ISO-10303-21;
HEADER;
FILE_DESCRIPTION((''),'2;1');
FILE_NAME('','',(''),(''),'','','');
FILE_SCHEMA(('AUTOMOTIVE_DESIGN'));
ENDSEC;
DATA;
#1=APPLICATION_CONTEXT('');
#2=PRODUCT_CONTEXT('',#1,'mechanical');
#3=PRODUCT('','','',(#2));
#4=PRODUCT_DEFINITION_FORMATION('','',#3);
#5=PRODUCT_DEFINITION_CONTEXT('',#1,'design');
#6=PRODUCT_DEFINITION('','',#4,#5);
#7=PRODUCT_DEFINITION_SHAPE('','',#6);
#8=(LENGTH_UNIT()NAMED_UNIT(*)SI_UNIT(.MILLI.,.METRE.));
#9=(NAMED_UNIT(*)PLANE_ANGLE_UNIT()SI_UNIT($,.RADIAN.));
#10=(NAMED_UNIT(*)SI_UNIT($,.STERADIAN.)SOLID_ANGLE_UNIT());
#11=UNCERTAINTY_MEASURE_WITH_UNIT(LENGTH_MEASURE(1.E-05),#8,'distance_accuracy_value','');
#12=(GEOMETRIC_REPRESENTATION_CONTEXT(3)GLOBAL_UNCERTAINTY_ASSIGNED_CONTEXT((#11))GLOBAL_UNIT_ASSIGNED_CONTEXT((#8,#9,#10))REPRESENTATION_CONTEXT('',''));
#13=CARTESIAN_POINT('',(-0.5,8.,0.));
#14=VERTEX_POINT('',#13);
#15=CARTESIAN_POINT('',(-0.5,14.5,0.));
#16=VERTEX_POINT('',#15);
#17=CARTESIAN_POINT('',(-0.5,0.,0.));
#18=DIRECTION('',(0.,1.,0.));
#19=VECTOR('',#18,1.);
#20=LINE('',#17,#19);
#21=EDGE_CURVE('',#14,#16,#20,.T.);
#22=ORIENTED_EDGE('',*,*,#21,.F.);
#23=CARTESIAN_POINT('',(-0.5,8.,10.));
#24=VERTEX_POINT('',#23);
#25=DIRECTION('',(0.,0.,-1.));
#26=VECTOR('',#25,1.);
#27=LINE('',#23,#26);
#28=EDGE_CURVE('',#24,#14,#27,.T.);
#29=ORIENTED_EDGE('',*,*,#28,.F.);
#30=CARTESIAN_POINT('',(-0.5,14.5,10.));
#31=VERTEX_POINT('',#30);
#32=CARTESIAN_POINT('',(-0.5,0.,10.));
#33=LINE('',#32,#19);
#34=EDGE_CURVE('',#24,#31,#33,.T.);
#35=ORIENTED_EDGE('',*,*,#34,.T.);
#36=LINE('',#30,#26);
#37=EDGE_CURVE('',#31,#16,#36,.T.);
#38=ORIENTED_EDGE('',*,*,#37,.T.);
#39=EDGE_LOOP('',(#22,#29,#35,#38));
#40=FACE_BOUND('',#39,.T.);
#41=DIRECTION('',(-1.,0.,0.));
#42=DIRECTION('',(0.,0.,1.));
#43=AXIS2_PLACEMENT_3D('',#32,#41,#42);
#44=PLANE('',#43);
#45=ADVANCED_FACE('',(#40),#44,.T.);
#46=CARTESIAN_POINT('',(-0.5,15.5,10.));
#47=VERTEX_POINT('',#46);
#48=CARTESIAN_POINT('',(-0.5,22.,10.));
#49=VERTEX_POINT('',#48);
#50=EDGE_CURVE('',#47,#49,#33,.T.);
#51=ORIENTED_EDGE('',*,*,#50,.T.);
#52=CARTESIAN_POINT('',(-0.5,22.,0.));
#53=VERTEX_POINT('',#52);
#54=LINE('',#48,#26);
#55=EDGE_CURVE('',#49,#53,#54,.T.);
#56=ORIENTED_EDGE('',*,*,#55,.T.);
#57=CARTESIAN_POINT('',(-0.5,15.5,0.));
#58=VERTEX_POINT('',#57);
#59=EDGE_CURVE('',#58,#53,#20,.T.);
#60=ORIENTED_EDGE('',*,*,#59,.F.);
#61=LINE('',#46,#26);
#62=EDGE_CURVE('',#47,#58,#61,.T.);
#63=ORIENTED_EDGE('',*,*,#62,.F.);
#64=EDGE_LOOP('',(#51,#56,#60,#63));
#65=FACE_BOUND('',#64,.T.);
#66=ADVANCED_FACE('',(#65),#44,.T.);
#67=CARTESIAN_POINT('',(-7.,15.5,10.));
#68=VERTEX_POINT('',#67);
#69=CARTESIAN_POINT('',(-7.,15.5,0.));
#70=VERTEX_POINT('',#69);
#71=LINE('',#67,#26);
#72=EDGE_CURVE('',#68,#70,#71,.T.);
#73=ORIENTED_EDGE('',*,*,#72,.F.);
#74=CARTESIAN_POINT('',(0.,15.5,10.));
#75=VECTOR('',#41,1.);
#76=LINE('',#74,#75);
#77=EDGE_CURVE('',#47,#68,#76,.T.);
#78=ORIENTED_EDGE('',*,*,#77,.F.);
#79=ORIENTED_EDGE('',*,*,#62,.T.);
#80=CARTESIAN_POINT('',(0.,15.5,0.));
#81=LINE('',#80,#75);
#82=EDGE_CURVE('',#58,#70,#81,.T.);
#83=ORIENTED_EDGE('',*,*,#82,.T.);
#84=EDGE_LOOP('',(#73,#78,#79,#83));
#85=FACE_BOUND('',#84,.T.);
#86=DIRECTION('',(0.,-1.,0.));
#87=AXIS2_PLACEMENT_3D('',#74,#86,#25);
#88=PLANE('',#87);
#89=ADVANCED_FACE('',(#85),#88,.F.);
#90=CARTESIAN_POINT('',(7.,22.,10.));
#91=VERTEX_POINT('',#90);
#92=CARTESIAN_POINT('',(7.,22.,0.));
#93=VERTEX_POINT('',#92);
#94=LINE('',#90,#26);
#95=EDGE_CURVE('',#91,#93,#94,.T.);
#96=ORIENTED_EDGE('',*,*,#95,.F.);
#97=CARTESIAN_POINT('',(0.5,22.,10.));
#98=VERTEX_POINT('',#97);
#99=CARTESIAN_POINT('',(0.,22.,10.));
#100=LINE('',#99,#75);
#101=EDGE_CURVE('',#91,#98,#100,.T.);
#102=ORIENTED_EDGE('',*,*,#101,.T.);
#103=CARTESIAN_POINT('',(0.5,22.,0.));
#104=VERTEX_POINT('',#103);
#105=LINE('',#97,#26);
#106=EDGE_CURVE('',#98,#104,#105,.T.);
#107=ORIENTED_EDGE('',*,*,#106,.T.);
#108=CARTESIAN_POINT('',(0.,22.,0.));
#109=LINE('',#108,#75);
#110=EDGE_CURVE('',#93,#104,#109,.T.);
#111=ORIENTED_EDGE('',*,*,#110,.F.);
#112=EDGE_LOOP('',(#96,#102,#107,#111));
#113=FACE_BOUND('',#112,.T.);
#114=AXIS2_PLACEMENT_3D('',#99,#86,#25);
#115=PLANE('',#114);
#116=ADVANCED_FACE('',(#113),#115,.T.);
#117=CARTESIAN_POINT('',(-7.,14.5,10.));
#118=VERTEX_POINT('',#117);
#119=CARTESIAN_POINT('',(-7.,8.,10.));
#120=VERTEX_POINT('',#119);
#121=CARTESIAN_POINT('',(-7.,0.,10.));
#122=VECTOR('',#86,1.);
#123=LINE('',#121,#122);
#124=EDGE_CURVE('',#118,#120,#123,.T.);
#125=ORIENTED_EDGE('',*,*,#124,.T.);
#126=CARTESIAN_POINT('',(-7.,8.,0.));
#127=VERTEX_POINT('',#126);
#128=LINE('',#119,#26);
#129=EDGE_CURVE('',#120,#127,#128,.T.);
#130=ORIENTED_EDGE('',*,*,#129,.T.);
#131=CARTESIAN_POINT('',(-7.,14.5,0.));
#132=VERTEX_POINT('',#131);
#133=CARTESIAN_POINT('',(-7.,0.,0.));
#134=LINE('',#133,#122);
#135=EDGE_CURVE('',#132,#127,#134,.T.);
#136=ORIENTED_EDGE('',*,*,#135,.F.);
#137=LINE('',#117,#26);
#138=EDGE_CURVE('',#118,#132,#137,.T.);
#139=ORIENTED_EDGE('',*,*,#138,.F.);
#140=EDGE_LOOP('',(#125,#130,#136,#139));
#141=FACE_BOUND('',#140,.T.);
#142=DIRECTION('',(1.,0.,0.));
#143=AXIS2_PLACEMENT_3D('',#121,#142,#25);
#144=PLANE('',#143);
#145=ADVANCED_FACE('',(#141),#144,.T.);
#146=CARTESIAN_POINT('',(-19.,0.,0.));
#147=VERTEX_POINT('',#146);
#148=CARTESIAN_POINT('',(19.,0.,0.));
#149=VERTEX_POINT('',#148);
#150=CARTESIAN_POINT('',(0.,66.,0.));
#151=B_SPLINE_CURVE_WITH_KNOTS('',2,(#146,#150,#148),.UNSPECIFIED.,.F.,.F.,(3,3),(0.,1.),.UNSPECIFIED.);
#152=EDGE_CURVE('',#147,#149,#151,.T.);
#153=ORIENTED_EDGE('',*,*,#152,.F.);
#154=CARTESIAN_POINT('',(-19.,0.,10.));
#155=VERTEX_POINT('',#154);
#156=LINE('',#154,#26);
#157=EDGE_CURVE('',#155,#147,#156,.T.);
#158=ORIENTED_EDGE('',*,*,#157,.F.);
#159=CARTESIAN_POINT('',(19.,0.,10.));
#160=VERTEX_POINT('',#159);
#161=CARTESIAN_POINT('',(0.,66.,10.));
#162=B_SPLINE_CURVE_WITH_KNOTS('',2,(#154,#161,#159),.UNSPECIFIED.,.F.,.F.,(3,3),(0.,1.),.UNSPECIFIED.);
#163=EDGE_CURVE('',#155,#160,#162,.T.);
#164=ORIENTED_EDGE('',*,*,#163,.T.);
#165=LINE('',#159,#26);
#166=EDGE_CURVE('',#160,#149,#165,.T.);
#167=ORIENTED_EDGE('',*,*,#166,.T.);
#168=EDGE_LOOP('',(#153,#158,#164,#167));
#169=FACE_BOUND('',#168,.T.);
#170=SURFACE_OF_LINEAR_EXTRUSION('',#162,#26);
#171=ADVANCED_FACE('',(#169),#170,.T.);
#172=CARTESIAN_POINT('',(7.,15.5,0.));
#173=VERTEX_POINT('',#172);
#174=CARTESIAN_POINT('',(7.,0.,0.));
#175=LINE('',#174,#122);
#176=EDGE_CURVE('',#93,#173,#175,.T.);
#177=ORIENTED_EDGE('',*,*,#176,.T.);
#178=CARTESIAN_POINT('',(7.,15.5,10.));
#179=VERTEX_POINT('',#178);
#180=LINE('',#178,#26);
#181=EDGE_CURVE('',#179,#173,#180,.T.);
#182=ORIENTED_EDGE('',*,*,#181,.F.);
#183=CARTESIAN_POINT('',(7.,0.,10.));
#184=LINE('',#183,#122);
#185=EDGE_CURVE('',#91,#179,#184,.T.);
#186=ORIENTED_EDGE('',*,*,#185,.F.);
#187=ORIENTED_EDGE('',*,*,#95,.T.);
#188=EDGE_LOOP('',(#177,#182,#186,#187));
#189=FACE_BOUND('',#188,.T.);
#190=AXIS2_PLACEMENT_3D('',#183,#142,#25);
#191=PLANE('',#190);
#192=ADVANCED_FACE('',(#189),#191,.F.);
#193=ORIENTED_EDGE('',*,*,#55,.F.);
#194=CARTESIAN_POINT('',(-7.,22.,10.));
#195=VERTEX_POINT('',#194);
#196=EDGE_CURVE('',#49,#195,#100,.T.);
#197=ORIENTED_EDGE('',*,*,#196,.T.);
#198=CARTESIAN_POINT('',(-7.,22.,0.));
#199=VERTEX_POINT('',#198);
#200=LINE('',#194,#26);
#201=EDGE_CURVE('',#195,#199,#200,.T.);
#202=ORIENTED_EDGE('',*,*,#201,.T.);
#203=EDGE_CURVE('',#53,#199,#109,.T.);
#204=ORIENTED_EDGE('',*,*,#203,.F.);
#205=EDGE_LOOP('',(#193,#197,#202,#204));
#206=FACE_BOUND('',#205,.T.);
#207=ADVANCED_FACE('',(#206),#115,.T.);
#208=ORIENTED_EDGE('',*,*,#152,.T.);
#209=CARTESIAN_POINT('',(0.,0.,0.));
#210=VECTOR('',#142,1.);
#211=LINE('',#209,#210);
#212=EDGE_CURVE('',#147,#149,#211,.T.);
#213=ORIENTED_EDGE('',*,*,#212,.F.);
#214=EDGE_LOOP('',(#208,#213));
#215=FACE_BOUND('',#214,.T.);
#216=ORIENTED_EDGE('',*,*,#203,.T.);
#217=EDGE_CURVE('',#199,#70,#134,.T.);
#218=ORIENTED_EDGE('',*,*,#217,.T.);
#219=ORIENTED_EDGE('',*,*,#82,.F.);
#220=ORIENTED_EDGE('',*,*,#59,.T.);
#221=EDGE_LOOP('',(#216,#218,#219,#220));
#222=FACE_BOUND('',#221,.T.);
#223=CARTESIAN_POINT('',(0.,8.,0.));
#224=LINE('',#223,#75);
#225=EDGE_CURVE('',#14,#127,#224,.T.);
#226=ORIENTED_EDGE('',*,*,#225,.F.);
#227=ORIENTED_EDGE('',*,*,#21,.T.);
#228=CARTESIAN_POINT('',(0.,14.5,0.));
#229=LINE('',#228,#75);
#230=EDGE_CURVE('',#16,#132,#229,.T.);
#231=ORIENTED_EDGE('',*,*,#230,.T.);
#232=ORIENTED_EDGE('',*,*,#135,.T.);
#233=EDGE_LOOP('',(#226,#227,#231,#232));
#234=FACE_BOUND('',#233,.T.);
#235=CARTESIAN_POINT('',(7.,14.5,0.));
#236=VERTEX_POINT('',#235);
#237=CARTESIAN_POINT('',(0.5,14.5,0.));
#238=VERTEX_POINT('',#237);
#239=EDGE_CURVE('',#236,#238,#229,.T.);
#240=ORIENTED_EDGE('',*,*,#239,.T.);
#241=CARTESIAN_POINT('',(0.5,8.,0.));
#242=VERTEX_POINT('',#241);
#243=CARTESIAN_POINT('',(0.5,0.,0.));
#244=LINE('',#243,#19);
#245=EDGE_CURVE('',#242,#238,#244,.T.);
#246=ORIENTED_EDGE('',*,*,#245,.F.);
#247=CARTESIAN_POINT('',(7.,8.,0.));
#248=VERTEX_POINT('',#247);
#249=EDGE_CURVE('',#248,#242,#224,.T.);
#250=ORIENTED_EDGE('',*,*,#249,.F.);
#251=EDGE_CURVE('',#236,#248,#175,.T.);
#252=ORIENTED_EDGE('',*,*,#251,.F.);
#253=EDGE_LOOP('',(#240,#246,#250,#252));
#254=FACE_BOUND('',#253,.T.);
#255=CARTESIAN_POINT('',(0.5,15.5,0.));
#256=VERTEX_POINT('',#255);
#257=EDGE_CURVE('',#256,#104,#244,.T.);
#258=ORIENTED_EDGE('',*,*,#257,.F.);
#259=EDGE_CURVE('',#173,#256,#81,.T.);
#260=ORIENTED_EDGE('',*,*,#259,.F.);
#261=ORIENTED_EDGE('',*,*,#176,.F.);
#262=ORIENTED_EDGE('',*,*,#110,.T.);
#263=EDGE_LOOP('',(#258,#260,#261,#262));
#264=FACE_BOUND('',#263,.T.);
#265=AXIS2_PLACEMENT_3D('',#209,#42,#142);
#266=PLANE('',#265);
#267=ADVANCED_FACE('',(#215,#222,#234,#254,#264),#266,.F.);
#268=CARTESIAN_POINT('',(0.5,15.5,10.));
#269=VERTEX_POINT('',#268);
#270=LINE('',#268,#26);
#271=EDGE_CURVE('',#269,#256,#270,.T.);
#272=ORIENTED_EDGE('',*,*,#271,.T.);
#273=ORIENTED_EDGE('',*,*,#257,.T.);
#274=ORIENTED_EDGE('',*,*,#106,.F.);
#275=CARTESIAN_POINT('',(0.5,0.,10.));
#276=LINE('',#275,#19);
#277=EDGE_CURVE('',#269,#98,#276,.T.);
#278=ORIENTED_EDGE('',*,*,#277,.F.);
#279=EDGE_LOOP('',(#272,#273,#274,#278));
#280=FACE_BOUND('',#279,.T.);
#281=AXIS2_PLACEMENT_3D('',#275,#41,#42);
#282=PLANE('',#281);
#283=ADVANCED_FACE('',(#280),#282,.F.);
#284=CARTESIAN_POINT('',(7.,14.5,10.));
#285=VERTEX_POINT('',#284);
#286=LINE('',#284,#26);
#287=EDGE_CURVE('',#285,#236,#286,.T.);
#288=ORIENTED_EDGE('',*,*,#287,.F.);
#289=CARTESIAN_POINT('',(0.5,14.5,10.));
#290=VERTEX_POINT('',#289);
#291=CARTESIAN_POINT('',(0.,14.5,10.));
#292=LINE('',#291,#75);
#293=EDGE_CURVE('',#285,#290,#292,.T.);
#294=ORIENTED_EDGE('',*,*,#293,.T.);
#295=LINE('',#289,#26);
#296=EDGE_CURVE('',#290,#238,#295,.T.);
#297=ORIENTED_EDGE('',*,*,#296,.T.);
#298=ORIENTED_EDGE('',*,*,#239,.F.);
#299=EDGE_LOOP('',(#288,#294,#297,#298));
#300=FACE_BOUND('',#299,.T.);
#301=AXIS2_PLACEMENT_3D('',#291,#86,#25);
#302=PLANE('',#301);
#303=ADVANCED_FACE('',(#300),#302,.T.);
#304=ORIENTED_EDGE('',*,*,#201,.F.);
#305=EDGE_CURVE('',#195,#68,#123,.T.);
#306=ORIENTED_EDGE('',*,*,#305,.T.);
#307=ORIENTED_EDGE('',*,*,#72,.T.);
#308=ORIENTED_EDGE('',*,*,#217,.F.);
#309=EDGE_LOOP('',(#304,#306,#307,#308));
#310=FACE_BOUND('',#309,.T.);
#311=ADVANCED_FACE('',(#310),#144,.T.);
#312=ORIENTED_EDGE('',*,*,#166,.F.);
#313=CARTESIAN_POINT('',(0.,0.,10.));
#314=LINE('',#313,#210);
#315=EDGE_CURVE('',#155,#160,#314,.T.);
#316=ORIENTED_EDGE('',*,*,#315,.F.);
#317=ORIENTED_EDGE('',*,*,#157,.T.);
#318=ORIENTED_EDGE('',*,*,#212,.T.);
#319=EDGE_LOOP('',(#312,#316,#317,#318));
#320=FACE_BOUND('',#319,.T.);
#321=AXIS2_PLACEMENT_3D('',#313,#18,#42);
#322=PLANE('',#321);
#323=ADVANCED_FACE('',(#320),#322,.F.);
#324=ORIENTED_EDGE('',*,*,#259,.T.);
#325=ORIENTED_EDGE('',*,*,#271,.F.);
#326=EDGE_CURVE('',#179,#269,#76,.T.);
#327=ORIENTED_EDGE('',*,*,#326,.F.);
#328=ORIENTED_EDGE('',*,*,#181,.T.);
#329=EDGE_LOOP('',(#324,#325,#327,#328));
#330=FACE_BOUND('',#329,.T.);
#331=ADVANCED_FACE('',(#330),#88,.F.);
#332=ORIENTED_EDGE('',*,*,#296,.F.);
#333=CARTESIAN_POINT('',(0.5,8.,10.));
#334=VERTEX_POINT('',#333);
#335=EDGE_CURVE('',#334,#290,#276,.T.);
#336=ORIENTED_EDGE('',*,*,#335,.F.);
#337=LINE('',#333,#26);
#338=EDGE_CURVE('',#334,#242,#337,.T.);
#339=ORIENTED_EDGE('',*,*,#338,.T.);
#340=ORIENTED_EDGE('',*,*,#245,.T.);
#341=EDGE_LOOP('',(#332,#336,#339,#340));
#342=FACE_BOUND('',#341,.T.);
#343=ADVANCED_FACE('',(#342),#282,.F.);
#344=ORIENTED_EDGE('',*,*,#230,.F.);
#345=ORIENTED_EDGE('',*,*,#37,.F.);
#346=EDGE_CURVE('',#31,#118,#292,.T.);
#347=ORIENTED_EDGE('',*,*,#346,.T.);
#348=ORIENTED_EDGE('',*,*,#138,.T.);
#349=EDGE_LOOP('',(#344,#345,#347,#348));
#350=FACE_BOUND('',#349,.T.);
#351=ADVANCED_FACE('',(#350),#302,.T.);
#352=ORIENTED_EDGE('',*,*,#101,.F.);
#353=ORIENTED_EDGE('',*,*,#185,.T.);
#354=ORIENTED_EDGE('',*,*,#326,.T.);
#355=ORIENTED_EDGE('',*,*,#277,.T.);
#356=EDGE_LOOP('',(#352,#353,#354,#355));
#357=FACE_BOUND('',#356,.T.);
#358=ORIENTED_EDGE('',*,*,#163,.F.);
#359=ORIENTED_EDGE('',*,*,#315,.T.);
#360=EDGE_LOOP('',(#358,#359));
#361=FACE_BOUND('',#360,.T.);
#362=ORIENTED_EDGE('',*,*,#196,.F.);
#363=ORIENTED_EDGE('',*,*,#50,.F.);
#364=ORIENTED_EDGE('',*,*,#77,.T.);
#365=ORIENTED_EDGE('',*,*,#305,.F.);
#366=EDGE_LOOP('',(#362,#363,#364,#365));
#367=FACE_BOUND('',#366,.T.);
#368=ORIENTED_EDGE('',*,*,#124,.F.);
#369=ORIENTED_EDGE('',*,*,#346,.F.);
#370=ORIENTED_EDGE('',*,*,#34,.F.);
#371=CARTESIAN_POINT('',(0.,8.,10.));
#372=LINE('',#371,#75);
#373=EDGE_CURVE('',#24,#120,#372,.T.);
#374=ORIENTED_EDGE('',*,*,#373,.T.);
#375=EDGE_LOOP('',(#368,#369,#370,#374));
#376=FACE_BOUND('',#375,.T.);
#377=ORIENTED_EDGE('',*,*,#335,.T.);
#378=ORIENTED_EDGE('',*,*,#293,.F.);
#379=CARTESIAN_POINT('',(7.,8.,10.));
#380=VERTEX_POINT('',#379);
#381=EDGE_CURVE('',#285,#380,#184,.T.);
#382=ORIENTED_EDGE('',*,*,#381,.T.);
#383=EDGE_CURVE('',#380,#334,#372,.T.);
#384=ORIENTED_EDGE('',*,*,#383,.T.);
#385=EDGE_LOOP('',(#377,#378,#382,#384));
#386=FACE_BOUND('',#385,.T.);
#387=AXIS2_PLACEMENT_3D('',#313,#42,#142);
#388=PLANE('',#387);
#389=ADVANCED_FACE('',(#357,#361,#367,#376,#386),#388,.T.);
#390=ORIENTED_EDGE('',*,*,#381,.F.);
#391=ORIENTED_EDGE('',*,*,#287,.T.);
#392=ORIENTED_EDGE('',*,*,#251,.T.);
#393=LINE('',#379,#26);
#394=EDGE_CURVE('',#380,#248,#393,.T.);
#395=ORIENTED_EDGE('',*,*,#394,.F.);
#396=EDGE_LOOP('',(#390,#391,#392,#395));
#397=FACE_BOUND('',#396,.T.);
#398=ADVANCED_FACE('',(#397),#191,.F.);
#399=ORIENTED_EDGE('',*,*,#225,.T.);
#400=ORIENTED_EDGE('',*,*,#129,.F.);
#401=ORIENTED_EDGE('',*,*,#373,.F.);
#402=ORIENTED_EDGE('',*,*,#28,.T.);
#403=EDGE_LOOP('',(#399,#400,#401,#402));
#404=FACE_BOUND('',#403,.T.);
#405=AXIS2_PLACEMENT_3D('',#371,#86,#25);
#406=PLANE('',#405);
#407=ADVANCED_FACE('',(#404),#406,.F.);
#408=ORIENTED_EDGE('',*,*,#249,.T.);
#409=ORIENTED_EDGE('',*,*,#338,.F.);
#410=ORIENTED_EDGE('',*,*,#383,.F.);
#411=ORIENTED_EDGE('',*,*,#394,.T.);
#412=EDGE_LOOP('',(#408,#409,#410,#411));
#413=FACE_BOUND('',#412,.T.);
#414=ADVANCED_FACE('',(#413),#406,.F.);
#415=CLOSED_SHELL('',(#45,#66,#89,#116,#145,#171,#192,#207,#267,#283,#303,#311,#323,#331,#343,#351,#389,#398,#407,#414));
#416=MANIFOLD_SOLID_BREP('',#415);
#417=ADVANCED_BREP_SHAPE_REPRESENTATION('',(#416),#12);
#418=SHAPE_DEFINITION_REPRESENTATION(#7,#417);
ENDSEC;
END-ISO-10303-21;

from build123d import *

# Parameters (mm, degrees)
EXTRUDE_1_DEPTH     = 10
SKETCH_2_W          = 6.5
SKETCH_2_H          = 6.5
CUT_EXTRUDE_1_DEPTH = 10


with BuildPart() as part:
    # 草图1 → 凸台-拉伸1 (new body)
    with BuildSketch(Plane.XY):
        with BuildLine():
            add(Edge.make_bspline(
                [(-19, 0), (-9.5, 33), (0, 33)],
                knots=[0, 0, 0, 0.5, 0.5, 0.5], degree=2))
            Line((-19, 0), (0, 0))
            Line((0, 0), (0, 33))
        make_face()
        with BuildLine():
            Line((0, 33), (0, 0))
            Line((0, 0), (19, 0))
            add(Edge.make_bspline(
                [(0, 33), (9.5, 33), (19, 0)],
                knots=[0.5, 0.5, 0.5, 1, 1, 1], degree=2))
        make_face()
    extrude(amount=EXTRUDE_1_DEPTH)

    # 草图2 → 切除-拉伸1 (cut)
    with BuildSketch(Plane(origin=(0, 0, 0), x_dir=(-1, 0, 0), z_dir=(0, 0, -1))):
        with Locations((-3.75, 18.75)):
            Rectangle(SKETCH_2_W, SKETCH_2_H)
        with Locations((-3.75, 11.25)):
            Rectangle(SKETCH_2_W, SKETCH_2_H)
        with Locations((3.75, 11.25)):
            Rectangle(SKETCH_2_W, SKETCH_2_H)
        with Locations((3.75, 18.75)):
            Rectangle(SKETCH_2_W, SKETCH_2_H)
    extrude(amount=-CUT_EXTRUDE_1_DEPTH, mode=Mode.SUBTRACT)


solid = part.part
